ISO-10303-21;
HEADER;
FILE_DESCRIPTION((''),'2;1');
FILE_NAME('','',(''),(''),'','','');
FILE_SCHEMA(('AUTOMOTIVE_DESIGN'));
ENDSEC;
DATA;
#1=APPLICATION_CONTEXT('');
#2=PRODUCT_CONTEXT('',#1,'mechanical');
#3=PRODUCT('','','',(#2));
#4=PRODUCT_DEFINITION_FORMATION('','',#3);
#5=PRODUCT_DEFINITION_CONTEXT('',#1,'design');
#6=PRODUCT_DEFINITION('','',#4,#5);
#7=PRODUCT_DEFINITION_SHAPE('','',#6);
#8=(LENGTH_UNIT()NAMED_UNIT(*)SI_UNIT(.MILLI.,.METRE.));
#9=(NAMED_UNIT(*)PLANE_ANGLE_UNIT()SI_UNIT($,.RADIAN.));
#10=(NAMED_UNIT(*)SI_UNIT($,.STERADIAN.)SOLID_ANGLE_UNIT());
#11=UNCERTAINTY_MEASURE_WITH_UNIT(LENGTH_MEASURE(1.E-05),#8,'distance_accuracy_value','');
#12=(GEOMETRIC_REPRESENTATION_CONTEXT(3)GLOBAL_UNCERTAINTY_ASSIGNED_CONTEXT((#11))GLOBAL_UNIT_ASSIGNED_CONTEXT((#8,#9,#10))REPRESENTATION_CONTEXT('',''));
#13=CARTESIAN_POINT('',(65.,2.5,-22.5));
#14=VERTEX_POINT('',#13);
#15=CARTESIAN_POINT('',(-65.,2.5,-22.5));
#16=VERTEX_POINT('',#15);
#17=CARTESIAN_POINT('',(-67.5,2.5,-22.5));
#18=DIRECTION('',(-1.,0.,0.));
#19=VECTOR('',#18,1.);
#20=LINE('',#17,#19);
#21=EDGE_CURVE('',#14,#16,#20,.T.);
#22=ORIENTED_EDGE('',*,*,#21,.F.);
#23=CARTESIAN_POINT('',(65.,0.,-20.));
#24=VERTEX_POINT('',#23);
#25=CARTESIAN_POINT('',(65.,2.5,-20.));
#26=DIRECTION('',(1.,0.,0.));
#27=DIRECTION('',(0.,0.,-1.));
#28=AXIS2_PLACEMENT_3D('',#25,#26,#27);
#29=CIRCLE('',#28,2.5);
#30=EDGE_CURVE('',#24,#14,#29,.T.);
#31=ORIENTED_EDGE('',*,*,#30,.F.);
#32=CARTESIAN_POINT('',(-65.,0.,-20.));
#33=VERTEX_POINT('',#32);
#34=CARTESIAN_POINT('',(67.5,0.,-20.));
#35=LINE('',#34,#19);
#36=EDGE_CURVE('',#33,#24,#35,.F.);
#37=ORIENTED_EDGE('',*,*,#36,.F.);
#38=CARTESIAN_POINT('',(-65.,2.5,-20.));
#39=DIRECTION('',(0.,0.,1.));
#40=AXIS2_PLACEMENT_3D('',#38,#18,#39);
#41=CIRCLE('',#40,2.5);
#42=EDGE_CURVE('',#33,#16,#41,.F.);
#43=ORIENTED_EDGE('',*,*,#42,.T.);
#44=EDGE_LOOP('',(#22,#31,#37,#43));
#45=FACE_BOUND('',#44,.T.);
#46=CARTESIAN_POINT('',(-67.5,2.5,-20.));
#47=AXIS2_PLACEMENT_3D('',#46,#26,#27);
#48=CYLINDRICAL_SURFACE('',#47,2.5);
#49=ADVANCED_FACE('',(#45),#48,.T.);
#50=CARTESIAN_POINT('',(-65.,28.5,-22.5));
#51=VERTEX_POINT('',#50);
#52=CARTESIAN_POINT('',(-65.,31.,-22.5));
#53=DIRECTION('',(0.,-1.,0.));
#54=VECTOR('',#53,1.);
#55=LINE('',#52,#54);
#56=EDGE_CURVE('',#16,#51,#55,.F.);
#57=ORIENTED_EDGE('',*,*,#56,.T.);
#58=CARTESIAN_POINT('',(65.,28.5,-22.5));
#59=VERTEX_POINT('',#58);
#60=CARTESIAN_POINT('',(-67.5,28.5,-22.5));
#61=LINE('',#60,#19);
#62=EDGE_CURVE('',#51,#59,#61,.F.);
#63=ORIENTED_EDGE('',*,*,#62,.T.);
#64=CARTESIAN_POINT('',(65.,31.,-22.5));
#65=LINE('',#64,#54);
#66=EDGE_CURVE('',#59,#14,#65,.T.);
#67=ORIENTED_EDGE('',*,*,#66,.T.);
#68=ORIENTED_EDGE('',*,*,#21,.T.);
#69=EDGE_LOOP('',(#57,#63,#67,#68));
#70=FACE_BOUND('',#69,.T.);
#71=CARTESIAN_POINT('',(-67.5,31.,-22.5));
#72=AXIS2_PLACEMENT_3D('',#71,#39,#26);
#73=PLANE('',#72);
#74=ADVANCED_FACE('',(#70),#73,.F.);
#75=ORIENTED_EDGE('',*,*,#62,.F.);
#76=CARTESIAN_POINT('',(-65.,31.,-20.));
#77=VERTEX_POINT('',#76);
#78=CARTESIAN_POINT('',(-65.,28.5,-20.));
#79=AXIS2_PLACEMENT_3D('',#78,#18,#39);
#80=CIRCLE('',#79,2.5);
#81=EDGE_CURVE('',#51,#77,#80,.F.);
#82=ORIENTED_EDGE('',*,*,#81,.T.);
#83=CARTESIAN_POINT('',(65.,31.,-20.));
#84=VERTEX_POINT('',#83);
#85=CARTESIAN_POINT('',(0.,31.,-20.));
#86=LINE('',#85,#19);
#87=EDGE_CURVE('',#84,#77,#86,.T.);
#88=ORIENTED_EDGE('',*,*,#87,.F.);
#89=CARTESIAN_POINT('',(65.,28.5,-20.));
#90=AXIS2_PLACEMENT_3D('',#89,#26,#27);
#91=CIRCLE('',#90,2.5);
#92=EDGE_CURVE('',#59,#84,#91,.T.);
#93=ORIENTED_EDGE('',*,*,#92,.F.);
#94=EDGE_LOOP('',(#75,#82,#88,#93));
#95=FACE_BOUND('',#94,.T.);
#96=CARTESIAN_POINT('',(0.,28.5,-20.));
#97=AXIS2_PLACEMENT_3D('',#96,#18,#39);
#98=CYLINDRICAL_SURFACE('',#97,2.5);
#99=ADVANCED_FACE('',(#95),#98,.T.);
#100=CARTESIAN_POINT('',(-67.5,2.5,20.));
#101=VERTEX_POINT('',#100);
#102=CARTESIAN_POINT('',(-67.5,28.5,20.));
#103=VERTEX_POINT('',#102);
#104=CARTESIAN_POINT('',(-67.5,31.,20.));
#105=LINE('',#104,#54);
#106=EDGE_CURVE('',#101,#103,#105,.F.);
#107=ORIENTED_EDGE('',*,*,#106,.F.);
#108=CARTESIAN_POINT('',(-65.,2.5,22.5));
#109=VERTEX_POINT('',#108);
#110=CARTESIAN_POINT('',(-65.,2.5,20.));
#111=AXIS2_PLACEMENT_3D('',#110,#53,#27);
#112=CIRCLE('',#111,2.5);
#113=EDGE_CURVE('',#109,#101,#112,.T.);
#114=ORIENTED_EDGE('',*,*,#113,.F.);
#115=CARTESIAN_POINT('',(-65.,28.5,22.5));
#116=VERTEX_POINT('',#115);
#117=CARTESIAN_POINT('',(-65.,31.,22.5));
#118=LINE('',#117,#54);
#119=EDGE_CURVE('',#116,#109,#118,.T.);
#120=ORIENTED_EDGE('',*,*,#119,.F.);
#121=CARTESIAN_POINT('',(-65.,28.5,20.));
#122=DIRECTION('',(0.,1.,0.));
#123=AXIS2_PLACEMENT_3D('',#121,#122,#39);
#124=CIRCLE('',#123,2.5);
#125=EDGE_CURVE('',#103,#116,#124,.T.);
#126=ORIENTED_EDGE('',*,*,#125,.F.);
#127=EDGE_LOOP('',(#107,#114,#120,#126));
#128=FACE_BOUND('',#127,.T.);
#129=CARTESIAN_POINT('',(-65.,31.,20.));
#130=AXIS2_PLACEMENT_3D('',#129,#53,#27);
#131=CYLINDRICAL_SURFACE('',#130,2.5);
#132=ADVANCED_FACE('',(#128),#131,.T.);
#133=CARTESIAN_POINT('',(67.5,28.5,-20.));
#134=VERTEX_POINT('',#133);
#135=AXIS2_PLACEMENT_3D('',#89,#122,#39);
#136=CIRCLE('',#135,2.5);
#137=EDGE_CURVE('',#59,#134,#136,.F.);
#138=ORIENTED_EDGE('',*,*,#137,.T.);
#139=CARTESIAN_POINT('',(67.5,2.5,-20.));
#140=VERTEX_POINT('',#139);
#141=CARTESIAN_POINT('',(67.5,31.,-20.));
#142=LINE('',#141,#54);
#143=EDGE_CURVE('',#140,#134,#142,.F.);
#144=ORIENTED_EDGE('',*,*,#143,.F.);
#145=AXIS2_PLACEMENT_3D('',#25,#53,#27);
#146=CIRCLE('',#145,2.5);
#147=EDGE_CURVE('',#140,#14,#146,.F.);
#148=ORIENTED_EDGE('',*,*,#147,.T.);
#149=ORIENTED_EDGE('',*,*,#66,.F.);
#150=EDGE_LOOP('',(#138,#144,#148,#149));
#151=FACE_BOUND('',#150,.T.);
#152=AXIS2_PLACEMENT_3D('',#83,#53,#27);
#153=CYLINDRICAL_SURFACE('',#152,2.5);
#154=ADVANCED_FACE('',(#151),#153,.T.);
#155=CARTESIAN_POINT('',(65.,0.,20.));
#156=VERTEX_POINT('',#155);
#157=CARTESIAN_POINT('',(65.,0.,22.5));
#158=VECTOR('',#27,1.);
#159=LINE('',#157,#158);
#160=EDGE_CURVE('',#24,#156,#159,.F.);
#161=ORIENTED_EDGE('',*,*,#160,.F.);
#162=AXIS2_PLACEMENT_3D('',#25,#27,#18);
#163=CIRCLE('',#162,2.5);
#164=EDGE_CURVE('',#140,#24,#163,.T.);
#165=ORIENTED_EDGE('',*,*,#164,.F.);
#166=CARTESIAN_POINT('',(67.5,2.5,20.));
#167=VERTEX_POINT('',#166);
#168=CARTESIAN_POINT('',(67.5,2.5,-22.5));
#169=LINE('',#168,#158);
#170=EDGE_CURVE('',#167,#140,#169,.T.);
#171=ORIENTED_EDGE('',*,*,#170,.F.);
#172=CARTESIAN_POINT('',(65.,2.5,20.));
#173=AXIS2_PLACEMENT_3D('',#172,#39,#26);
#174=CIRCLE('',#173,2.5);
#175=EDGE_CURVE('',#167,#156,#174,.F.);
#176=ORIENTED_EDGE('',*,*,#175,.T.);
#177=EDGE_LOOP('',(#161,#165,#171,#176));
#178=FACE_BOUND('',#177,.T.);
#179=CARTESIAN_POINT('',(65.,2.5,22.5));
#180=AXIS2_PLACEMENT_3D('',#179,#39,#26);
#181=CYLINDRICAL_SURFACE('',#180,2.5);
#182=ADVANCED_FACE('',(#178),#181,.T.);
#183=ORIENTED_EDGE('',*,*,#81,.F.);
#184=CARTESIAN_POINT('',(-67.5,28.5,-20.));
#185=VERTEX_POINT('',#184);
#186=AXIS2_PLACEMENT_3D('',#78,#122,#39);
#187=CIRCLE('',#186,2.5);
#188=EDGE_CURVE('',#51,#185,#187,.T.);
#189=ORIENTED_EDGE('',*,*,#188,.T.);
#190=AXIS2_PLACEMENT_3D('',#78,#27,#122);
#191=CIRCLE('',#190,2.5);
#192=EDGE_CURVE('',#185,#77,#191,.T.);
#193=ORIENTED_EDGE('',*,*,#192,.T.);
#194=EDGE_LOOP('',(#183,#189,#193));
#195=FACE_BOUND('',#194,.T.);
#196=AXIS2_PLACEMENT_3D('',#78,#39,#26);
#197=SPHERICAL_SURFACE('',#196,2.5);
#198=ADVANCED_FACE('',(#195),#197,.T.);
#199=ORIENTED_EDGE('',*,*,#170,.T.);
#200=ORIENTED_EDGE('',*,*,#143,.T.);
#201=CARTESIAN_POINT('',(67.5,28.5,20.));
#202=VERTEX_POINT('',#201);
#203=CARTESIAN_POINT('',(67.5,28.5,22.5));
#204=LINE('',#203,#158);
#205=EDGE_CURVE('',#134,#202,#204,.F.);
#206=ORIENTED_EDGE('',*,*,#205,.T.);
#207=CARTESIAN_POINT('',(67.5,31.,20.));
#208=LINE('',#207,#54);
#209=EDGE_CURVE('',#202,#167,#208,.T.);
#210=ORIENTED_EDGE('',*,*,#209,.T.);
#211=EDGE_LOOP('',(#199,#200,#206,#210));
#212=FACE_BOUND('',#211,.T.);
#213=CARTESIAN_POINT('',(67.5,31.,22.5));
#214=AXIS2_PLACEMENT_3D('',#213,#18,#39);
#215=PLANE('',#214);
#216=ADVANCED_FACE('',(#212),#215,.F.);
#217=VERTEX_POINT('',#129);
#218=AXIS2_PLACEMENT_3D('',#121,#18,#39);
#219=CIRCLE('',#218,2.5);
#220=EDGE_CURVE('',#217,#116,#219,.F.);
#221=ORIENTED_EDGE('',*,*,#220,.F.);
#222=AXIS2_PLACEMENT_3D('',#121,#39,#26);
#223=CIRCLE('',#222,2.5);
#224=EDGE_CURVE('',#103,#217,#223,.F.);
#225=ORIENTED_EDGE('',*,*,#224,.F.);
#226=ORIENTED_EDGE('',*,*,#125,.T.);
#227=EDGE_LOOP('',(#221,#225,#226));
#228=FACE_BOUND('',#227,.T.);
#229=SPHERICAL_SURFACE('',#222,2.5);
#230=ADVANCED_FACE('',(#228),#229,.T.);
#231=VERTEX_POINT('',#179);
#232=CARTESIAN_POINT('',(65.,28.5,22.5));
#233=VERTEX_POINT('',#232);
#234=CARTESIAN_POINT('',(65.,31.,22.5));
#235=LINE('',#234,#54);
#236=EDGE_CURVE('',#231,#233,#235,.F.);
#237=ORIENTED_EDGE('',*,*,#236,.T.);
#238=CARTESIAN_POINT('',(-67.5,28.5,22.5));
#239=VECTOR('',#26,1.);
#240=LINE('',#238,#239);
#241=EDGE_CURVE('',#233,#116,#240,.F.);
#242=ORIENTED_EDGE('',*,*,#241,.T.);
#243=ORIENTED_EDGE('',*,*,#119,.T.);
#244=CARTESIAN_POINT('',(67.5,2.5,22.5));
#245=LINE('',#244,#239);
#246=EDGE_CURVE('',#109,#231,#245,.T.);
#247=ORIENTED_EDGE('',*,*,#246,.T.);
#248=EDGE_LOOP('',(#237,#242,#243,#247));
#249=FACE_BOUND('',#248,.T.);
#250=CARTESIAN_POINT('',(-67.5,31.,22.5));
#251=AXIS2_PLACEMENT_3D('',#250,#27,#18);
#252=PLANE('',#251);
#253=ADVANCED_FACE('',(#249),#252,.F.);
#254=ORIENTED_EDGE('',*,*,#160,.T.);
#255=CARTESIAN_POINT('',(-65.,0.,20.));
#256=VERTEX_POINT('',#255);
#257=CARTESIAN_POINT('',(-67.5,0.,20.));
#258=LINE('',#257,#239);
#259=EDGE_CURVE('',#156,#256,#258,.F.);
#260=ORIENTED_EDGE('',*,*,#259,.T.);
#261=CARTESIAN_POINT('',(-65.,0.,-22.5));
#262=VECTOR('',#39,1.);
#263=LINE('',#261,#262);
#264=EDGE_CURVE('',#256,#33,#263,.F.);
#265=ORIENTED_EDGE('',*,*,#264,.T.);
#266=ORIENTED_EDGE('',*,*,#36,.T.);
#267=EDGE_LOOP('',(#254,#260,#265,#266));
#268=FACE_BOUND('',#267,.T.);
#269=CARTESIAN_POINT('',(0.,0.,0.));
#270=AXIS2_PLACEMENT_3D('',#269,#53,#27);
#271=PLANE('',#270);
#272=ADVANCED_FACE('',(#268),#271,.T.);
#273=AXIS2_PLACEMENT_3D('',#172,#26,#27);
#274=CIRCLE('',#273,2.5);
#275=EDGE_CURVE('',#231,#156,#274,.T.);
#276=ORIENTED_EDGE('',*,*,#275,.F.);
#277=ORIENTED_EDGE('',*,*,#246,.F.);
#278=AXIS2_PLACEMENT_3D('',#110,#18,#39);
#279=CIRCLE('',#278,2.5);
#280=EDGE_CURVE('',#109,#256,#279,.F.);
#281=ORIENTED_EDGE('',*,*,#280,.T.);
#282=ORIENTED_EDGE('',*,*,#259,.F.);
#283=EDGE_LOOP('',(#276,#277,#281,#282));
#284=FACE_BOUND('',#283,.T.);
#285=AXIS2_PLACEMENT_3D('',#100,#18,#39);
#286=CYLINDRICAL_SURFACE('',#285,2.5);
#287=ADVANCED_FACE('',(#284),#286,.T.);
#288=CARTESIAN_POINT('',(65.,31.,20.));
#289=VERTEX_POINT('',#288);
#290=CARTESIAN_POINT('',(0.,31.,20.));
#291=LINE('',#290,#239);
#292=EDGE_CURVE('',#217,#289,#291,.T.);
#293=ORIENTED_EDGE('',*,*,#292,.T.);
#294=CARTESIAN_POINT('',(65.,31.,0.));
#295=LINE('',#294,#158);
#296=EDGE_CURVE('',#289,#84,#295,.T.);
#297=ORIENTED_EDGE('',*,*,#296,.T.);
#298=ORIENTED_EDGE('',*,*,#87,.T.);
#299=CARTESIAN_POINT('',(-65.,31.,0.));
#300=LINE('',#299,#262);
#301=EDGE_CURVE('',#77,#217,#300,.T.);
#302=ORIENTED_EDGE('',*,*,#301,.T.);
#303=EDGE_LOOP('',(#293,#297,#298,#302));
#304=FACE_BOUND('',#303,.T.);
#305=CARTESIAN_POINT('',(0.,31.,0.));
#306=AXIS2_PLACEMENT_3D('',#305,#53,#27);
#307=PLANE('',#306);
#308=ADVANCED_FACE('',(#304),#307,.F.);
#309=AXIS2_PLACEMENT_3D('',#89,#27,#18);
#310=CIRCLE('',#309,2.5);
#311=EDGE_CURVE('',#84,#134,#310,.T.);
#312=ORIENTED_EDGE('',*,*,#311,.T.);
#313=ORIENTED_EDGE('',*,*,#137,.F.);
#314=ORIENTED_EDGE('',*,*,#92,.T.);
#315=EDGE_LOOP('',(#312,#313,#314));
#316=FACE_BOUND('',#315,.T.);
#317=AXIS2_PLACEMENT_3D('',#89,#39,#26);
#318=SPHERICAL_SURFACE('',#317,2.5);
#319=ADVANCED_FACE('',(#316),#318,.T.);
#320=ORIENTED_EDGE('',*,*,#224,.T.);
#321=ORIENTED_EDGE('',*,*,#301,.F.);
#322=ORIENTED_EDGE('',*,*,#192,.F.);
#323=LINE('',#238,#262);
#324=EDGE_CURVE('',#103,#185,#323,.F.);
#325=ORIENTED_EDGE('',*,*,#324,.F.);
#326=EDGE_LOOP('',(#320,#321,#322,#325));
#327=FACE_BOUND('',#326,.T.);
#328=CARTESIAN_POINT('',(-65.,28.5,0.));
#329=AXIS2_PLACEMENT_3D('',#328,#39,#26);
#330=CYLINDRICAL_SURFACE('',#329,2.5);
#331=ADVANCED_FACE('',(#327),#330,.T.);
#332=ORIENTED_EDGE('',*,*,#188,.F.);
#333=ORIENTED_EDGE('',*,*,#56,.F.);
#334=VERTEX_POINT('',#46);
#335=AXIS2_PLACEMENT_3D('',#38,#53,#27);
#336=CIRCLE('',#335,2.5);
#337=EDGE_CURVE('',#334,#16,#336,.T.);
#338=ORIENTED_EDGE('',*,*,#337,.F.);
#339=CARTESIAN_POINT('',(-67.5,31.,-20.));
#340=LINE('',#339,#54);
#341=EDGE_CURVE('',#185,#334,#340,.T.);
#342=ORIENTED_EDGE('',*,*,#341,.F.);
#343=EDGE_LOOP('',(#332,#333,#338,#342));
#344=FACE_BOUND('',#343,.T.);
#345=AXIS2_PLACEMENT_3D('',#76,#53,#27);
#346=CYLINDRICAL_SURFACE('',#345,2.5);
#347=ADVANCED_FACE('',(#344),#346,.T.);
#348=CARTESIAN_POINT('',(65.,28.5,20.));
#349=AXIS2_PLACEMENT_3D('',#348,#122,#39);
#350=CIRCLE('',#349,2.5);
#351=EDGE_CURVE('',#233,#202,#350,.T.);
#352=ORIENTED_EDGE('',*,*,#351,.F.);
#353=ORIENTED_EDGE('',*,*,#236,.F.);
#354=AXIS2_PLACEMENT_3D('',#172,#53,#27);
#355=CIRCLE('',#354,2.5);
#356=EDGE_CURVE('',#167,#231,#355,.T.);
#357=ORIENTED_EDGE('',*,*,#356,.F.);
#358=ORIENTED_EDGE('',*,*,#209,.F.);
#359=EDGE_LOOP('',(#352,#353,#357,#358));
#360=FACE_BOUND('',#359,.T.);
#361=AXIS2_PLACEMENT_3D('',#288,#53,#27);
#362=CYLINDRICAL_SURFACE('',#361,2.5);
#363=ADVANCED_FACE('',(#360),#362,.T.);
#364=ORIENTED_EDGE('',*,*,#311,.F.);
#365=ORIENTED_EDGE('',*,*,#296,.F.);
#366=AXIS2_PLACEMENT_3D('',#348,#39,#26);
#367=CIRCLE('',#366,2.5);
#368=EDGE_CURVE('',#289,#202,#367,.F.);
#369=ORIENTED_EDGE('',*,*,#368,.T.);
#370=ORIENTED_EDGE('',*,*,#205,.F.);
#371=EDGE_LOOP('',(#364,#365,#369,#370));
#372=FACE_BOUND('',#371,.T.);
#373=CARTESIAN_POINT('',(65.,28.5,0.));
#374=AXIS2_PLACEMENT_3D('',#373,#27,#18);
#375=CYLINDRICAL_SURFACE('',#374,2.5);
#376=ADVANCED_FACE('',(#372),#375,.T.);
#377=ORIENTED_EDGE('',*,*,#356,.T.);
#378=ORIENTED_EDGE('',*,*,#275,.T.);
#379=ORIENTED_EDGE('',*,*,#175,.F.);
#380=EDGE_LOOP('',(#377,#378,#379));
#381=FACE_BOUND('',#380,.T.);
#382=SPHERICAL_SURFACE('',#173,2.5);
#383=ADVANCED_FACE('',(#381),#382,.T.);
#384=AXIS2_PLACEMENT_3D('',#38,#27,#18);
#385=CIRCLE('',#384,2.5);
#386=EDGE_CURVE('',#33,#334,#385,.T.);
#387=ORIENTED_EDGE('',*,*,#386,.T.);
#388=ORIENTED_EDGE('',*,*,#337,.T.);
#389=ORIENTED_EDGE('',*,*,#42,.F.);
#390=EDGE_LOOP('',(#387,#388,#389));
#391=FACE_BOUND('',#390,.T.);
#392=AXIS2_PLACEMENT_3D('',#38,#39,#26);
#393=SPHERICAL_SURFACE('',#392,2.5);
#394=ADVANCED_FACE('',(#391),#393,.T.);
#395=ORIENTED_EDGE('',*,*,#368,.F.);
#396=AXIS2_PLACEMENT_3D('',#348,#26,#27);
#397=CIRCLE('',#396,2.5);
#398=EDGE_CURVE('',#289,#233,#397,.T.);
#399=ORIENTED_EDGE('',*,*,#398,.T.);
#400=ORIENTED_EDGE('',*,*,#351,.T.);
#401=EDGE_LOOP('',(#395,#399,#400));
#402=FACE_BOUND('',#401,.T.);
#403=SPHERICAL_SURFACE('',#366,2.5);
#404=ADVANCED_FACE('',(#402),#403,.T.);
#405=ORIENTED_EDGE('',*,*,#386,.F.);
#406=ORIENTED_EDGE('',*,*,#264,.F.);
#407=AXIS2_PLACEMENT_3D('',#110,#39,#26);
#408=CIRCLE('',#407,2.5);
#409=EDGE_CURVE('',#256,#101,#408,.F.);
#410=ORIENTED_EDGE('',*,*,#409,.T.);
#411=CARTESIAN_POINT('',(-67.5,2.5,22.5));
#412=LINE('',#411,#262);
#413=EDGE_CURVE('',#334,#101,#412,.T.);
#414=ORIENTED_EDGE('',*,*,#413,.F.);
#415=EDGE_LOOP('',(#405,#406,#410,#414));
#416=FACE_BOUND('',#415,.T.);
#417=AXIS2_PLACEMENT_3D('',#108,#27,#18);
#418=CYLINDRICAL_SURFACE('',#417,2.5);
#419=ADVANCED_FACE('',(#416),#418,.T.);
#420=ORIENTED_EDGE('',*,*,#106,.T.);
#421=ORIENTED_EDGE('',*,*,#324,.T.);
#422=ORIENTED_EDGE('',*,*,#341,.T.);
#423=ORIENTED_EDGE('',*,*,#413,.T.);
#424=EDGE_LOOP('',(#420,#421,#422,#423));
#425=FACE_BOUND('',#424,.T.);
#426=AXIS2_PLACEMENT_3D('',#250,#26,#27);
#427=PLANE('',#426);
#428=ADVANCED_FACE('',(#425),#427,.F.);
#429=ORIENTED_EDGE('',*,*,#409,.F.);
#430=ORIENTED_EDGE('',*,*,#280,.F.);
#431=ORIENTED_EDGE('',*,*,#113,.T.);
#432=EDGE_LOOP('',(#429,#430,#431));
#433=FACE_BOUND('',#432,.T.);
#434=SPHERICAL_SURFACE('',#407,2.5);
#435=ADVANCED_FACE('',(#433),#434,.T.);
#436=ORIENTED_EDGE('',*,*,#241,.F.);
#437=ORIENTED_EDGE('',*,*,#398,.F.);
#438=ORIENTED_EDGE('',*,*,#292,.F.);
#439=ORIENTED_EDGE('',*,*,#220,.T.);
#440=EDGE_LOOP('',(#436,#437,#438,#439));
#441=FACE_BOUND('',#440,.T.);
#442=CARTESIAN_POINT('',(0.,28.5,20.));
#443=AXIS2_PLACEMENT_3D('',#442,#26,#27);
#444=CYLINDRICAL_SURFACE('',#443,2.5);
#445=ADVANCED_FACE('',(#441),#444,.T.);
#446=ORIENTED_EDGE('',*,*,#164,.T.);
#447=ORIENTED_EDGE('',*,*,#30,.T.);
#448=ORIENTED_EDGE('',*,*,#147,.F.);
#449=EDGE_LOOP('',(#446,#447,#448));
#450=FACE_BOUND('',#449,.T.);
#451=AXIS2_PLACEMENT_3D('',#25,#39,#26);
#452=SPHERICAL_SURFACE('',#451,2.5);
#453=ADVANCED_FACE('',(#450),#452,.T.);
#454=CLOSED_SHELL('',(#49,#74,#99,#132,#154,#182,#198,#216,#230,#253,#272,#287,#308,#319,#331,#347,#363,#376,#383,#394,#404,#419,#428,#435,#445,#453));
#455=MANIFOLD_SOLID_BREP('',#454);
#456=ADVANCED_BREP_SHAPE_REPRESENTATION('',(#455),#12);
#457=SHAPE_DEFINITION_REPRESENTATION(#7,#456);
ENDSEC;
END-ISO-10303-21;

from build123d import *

# Parameters (mm, degrees)
SKETCH1_W           = 135
SKETCH1_H           = 45
BOSS_EXTRUDE1_DEPTH = 31
FILLET1_R           = 2.5


with BuildPart() as part:
    # Sketch1 → Boss-Extrude1 (new body)
    with BuildSketch(Plane(origin=(0, 0, 0), x_dir=(1, 0, 0), z_dir=(0, 1, 0))):
        Rectangle(SKETCH1_W, SKETCH1_H)
    extrude(amount=BOSS_EXTRUDE1_DEPTH)

    # Fillet1
    fillet1_edges = [part.edges().sort_by_distance(p)[0] for p in [
        (-67.5, 31, 0),
        (0, 31, 22.5),
        (67.5, 31, 0),
        (0, 0, 22.5),
        (-67.5, 0, 0),
        (0, 0, -22.5),
        (67.5, 0, 0),
        (0, 31, -22.5),
        (67.5, 15.5, 22.5),
        (-67.5, 15.5, 22.5),
        (-67.5, 15.5, -22.5),
        (67.5, 15.5, -22.5),
    ]]
    fillet(fillet1_edges, radius=FILLET1_R)


solid = part.part
